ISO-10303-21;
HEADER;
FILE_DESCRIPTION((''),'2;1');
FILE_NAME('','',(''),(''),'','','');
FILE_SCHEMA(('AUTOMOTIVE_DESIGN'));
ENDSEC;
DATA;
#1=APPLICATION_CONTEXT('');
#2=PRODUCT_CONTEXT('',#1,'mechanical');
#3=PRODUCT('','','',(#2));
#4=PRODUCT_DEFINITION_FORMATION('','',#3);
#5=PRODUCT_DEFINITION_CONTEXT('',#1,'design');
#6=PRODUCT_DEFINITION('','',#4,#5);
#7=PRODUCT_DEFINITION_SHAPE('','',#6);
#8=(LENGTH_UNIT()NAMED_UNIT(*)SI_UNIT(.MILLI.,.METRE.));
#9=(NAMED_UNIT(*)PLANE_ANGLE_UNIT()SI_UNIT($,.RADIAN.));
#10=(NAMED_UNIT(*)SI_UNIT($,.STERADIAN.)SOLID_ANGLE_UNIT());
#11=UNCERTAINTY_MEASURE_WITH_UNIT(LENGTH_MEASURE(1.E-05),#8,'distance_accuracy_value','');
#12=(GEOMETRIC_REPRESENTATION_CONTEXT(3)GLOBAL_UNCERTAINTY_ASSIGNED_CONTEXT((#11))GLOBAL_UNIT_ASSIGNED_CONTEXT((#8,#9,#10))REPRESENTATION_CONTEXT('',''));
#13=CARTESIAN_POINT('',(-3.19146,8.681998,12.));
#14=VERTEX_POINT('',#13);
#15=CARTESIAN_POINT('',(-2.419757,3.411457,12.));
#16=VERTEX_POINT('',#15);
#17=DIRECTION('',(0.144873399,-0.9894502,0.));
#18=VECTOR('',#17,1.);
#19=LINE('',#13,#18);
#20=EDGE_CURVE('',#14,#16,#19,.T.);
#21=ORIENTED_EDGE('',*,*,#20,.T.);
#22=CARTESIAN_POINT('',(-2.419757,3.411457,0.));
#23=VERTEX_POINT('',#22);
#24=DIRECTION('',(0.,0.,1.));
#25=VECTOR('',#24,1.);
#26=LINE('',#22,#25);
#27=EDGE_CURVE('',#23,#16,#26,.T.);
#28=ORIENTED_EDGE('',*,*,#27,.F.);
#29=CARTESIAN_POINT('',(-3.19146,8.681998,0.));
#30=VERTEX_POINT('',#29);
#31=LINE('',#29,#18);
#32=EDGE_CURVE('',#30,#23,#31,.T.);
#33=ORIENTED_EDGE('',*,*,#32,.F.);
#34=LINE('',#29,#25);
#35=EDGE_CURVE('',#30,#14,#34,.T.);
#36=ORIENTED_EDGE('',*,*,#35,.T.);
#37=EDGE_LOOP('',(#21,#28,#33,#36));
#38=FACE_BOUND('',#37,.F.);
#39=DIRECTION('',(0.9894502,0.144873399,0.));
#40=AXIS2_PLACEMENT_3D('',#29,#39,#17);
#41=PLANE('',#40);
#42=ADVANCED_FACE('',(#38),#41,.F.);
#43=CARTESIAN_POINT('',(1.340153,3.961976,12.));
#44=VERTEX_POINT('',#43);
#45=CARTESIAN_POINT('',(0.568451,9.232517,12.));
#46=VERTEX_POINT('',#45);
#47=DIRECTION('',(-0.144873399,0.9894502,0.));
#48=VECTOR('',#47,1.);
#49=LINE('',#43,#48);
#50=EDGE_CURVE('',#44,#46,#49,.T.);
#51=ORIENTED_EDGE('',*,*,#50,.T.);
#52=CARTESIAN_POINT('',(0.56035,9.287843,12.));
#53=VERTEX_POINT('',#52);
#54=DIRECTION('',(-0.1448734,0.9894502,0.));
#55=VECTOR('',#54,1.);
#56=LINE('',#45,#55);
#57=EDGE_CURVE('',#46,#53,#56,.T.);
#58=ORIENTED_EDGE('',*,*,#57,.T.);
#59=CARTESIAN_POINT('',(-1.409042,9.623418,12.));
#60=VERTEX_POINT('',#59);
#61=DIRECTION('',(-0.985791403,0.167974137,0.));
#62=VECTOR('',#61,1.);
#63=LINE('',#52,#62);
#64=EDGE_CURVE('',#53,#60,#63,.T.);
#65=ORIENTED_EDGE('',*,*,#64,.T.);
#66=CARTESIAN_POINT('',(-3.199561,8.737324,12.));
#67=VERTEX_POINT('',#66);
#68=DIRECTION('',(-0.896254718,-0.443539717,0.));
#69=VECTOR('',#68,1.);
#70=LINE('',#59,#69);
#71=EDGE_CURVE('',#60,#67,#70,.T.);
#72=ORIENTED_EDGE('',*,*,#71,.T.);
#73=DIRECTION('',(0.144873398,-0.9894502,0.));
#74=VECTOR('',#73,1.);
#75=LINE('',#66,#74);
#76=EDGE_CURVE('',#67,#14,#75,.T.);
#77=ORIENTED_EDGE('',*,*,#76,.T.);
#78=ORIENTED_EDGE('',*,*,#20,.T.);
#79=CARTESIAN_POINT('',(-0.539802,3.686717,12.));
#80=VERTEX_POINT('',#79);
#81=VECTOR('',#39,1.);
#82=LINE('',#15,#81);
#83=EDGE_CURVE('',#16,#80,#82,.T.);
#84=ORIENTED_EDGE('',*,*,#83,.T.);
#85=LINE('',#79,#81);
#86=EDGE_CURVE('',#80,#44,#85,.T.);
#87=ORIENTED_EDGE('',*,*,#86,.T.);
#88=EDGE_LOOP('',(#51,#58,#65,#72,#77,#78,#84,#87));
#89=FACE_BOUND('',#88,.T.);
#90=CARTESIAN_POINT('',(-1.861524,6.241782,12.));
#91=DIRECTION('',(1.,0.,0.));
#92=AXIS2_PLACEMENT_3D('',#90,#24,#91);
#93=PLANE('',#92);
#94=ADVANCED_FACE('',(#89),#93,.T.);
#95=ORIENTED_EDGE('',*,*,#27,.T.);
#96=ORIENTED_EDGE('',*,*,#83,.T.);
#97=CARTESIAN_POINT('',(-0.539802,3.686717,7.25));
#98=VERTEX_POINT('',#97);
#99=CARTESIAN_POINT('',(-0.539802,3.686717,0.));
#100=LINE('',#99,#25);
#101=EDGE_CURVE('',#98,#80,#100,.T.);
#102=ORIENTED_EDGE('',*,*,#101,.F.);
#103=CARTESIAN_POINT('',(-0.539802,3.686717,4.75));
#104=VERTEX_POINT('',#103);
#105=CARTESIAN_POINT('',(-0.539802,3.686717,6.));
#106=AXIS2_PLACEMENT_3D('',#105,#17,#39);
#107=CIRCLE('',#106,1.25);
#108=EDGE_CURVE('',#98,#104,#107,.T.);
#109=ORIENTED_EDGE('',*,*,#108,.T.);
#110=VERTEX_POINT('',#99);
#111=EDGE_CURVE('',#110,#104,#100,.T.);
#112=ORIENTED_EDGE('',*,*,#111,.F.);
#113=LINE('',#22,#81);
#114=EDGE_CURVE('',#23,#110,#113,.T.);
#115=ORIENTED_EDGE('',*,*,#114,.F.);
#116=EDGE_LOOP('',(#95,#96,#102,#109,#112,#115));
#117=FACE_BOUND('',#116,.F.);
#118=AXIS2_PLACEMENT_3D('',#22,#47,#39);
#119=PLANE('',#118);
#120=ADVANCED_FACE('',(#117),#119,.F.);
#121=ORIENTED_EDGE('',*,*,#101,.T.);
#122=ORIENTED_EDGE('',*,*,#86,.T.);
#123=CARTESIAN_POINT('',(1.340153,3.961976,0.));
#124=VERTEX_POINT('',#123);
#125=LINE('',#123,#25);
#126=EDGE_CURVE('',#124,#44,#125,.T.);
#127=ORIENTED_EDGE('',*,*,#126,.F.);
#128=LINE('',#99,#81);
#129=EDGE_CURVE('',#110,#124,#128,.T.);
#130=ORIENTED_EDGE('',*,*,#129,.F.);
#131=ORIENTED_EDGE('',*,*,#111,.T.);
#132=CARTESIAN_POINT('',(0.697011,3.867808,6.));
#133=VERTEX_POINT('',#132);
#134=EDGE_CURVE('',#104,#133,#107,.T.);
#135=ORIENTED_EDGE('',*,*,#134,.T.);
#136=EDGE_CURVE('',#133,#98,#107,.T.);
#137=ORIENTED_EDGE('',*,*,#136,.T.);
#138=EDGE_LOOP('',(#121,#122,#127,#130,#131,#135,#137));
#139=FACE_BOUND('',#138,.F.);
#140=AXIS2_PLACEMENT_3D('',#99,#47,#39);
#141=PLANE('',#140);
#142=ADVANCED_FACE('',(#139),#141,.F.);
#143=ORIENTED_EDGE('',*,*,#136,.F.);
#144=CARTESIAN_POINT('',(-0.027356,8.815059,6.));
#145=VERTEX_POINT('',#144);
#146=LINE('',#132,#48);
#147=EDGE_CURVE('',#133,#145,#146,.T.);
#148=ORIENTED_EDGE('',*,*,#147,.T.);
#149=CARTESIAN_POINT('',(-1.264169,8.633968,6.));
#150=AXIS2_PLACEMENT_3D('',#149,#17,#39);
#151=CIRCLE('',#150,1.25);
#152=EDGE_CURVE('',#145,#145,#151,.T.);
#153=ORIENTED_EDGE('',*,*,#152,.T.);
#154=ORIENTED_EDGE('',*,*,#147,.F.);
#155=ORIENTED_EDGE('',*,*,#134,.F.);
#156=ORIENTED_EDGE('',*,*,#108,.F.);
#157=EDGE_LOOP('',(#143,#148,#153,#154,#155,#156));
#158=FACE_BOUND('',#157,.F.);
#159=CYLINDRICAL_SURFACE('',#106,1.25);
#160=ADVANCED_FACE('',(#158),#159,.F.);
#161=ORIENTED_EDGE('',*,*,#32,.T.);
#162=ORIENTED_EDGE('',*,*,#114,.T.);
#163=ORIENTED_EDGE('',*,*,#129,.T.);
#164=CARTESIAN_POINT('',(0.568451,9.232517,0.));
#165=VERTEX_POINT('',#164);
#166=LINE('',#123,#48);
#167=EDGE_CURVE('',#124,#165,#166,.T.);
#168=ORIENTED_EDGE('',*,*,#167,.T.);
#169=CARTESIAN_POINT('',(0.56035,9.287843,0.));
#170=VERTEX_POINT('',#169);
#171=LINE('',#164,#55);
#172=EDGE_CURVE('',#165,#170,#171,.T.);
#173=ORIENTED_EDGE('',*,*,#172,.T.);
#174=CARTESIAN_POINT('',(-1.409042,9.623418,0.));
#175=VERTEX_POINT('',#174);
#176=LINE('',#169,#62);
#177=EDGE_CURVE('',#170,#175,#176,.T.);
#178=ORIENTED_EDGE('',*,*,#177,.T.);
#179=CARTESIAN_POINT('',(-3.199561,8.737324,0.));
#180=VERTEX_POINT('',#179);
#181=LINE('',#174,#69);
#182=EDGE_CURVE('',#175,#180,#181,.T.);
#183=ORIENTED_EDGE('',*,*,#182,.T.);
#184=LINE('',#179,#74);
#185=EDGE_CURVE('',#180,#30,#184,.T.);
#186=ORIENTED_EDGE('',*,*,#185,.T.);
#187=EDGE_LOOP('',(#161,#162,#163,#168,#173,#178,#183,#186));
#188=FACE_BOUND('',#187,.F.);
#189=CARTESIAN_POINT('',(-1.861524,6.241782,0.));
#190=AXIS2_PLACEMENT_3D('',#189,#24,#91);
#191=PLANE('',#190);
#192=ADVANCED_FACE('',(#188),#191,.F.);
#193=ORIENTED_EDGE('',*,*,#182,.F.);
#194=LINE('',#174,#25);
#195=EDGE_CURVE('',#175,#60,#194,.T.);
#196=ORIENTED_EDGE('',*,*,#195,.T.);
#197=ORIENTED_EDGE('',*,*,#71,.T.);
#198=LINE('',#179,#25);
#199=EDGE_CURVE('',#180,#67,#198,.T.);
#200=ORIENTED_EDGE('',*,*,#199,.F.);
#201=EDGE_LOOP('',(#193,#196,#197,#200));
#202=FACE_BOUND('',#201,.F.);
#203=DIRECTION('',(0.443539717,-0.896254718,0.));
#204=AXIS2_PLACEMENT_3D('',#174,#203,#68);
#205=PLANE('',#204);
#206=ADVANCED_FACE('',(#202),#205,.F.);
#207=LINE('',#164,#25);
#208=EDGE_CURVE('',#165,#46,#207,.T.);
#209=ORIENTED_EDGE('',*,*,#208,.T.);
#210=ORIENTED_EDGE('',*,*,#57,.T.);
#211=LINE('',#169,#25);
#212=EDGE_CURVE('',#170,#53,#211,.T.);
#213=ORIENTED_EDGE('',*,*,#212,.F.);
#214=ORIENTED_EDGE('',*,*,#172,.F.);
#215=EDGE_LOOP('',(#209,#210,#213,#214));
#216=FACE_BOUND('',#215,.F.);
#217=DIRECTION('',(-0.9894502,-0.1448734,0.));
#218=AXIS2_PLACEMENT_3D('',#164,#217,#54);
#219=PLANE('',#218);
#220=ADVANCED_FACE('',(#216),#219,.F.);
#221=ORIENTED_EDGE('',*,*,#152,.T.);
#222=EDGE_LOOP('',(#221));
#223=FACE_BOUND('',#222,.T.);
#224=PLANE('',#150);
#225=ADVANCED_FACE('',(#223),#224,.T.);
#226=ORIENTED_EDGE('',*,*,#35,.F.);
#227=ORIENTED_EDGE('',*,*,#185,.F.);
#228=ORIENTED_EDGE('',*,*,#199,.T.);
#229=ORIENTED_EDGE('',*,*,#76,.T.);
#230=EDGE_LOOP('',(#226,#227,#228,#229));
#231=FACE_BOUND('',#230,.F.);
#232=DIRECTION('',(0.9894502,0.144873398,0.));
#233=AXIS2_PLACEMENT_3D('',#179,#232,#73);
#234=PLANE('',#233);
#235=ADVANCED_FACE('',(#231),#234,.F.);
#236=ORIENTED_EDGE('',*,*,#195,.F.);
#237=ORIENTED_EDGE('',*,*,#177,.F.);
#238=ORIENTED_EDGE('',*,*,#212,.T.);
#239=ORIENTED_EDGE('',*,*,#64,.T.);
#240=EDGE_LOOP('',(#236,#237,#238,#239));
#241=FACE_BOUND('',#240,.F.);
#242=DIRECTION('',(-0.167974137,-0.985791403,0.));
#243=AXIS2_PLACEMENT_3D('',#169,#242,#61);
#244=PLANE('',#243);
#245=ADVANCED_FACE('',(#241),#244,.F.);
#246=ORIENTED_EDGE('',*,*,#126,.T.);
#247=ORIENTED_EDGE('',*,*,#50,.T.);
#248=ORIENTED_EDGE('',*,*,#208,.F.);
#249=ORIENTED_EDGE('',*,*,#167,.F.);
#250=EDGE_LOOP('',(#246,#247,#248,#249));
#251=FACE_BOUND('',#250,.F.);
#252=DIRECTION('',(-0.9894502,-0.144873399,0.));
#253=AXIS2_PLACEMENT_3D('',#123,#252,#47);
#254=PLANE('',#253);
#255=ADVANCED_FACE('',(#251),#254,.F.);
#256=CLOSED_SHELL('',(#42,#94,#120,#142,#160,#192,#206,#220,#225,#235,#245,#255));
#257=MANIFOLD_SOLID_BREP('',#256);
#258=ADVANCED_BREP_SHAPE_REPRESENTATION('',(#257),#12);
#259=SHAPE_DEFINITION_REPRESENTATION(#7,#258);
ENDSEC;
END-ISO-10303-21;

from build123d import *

# Parameters (mm, degrees)
F1_DEPTH = 12
F2_R     = 1.25
F3_DEPTH = 5


with BuildPart() as f1:
    # F0 (on Top) → F1 (new body)
    with BuildSketch(Plane.XY):
        with BuildLine():
            Line((-0.5398019886, 3.6867167497), (-1.340078938, 9.1524143503))
            ThreePointArc((-1.340078938, 9.1524143503), (-2.2779450693, 8.9651249998), (-3.19145978, 8.6819977236))
            Line((-3.19145978, 8.6819977236), (-2.4197573686, 3.4114572922))
            Line((-2.4197573686, 3.4114572922), (-0.5398019886, 3.6867167497))
        make_face()
        with BuildLine():
            Line((1.3401533915, 3.9619762073), (0.5684509802, 9.2325166387))
            ThreePointArc((0.5684509802, 9.2325166387), (-0.3878872523, 9.2418636367), (-1.340078938, 9.1524143503))
            Line((-1.340078938, 9.1524143503), (-0.5398019886, 3.6867167497))
            Line((-0.5398019886, 3.6867167497), (1.3401533915, 3.9619762073))
        make_face()
        with BuildLine():
            ThreePointArc((-1.340078938, 9.1524143503), (-0.3878872523, 9.2418636367), (0.5684509802, 9.2325166387))
            Line((0.5684509802, 9.2325166387), (0.5603502186, 9.2878428764))
            Line((0.5603502186, 9.2878428764), (-1.4090423808, 9.6234179499))
            Line((-1.4090423808, 9.6234179499), (-1.340078938, 9.1524143503))
        make_face()
        with BuildLine():
            ThreePointArc((-3.19145978, 8.6819977236), (-2.2779450693, 8.9651249998), (-1.340078938, 9.1524143503))
            Line((-1.340078938, 9.1524143503), (-1.4090423808, 9.6234179499))
            Line((-1.4090423808, 9.6234179499), (-3.1995605415, 8.7373239614))
            Line((-3.1995605415, 8.7373239614), (-3.19145978, 8.6819977236))
        make_face()
    extrude(amount=F1_DEPTH)

    # F2 (on face) → F3 (cut)
    with BuildSketch(Plane(origin=(-0.5398019886, 3.6867167497, 0), x_dir=(0.9894502, 0.1448733987, 0), z_dir=(0.1448733987, -0.9894502, 0))):
        with Locations((0, 6)):
            Circle(F2_R)
    extrude(amount=-F3_DEPTH, mode=Mode.SUBTRACT)


solid = f1.part
